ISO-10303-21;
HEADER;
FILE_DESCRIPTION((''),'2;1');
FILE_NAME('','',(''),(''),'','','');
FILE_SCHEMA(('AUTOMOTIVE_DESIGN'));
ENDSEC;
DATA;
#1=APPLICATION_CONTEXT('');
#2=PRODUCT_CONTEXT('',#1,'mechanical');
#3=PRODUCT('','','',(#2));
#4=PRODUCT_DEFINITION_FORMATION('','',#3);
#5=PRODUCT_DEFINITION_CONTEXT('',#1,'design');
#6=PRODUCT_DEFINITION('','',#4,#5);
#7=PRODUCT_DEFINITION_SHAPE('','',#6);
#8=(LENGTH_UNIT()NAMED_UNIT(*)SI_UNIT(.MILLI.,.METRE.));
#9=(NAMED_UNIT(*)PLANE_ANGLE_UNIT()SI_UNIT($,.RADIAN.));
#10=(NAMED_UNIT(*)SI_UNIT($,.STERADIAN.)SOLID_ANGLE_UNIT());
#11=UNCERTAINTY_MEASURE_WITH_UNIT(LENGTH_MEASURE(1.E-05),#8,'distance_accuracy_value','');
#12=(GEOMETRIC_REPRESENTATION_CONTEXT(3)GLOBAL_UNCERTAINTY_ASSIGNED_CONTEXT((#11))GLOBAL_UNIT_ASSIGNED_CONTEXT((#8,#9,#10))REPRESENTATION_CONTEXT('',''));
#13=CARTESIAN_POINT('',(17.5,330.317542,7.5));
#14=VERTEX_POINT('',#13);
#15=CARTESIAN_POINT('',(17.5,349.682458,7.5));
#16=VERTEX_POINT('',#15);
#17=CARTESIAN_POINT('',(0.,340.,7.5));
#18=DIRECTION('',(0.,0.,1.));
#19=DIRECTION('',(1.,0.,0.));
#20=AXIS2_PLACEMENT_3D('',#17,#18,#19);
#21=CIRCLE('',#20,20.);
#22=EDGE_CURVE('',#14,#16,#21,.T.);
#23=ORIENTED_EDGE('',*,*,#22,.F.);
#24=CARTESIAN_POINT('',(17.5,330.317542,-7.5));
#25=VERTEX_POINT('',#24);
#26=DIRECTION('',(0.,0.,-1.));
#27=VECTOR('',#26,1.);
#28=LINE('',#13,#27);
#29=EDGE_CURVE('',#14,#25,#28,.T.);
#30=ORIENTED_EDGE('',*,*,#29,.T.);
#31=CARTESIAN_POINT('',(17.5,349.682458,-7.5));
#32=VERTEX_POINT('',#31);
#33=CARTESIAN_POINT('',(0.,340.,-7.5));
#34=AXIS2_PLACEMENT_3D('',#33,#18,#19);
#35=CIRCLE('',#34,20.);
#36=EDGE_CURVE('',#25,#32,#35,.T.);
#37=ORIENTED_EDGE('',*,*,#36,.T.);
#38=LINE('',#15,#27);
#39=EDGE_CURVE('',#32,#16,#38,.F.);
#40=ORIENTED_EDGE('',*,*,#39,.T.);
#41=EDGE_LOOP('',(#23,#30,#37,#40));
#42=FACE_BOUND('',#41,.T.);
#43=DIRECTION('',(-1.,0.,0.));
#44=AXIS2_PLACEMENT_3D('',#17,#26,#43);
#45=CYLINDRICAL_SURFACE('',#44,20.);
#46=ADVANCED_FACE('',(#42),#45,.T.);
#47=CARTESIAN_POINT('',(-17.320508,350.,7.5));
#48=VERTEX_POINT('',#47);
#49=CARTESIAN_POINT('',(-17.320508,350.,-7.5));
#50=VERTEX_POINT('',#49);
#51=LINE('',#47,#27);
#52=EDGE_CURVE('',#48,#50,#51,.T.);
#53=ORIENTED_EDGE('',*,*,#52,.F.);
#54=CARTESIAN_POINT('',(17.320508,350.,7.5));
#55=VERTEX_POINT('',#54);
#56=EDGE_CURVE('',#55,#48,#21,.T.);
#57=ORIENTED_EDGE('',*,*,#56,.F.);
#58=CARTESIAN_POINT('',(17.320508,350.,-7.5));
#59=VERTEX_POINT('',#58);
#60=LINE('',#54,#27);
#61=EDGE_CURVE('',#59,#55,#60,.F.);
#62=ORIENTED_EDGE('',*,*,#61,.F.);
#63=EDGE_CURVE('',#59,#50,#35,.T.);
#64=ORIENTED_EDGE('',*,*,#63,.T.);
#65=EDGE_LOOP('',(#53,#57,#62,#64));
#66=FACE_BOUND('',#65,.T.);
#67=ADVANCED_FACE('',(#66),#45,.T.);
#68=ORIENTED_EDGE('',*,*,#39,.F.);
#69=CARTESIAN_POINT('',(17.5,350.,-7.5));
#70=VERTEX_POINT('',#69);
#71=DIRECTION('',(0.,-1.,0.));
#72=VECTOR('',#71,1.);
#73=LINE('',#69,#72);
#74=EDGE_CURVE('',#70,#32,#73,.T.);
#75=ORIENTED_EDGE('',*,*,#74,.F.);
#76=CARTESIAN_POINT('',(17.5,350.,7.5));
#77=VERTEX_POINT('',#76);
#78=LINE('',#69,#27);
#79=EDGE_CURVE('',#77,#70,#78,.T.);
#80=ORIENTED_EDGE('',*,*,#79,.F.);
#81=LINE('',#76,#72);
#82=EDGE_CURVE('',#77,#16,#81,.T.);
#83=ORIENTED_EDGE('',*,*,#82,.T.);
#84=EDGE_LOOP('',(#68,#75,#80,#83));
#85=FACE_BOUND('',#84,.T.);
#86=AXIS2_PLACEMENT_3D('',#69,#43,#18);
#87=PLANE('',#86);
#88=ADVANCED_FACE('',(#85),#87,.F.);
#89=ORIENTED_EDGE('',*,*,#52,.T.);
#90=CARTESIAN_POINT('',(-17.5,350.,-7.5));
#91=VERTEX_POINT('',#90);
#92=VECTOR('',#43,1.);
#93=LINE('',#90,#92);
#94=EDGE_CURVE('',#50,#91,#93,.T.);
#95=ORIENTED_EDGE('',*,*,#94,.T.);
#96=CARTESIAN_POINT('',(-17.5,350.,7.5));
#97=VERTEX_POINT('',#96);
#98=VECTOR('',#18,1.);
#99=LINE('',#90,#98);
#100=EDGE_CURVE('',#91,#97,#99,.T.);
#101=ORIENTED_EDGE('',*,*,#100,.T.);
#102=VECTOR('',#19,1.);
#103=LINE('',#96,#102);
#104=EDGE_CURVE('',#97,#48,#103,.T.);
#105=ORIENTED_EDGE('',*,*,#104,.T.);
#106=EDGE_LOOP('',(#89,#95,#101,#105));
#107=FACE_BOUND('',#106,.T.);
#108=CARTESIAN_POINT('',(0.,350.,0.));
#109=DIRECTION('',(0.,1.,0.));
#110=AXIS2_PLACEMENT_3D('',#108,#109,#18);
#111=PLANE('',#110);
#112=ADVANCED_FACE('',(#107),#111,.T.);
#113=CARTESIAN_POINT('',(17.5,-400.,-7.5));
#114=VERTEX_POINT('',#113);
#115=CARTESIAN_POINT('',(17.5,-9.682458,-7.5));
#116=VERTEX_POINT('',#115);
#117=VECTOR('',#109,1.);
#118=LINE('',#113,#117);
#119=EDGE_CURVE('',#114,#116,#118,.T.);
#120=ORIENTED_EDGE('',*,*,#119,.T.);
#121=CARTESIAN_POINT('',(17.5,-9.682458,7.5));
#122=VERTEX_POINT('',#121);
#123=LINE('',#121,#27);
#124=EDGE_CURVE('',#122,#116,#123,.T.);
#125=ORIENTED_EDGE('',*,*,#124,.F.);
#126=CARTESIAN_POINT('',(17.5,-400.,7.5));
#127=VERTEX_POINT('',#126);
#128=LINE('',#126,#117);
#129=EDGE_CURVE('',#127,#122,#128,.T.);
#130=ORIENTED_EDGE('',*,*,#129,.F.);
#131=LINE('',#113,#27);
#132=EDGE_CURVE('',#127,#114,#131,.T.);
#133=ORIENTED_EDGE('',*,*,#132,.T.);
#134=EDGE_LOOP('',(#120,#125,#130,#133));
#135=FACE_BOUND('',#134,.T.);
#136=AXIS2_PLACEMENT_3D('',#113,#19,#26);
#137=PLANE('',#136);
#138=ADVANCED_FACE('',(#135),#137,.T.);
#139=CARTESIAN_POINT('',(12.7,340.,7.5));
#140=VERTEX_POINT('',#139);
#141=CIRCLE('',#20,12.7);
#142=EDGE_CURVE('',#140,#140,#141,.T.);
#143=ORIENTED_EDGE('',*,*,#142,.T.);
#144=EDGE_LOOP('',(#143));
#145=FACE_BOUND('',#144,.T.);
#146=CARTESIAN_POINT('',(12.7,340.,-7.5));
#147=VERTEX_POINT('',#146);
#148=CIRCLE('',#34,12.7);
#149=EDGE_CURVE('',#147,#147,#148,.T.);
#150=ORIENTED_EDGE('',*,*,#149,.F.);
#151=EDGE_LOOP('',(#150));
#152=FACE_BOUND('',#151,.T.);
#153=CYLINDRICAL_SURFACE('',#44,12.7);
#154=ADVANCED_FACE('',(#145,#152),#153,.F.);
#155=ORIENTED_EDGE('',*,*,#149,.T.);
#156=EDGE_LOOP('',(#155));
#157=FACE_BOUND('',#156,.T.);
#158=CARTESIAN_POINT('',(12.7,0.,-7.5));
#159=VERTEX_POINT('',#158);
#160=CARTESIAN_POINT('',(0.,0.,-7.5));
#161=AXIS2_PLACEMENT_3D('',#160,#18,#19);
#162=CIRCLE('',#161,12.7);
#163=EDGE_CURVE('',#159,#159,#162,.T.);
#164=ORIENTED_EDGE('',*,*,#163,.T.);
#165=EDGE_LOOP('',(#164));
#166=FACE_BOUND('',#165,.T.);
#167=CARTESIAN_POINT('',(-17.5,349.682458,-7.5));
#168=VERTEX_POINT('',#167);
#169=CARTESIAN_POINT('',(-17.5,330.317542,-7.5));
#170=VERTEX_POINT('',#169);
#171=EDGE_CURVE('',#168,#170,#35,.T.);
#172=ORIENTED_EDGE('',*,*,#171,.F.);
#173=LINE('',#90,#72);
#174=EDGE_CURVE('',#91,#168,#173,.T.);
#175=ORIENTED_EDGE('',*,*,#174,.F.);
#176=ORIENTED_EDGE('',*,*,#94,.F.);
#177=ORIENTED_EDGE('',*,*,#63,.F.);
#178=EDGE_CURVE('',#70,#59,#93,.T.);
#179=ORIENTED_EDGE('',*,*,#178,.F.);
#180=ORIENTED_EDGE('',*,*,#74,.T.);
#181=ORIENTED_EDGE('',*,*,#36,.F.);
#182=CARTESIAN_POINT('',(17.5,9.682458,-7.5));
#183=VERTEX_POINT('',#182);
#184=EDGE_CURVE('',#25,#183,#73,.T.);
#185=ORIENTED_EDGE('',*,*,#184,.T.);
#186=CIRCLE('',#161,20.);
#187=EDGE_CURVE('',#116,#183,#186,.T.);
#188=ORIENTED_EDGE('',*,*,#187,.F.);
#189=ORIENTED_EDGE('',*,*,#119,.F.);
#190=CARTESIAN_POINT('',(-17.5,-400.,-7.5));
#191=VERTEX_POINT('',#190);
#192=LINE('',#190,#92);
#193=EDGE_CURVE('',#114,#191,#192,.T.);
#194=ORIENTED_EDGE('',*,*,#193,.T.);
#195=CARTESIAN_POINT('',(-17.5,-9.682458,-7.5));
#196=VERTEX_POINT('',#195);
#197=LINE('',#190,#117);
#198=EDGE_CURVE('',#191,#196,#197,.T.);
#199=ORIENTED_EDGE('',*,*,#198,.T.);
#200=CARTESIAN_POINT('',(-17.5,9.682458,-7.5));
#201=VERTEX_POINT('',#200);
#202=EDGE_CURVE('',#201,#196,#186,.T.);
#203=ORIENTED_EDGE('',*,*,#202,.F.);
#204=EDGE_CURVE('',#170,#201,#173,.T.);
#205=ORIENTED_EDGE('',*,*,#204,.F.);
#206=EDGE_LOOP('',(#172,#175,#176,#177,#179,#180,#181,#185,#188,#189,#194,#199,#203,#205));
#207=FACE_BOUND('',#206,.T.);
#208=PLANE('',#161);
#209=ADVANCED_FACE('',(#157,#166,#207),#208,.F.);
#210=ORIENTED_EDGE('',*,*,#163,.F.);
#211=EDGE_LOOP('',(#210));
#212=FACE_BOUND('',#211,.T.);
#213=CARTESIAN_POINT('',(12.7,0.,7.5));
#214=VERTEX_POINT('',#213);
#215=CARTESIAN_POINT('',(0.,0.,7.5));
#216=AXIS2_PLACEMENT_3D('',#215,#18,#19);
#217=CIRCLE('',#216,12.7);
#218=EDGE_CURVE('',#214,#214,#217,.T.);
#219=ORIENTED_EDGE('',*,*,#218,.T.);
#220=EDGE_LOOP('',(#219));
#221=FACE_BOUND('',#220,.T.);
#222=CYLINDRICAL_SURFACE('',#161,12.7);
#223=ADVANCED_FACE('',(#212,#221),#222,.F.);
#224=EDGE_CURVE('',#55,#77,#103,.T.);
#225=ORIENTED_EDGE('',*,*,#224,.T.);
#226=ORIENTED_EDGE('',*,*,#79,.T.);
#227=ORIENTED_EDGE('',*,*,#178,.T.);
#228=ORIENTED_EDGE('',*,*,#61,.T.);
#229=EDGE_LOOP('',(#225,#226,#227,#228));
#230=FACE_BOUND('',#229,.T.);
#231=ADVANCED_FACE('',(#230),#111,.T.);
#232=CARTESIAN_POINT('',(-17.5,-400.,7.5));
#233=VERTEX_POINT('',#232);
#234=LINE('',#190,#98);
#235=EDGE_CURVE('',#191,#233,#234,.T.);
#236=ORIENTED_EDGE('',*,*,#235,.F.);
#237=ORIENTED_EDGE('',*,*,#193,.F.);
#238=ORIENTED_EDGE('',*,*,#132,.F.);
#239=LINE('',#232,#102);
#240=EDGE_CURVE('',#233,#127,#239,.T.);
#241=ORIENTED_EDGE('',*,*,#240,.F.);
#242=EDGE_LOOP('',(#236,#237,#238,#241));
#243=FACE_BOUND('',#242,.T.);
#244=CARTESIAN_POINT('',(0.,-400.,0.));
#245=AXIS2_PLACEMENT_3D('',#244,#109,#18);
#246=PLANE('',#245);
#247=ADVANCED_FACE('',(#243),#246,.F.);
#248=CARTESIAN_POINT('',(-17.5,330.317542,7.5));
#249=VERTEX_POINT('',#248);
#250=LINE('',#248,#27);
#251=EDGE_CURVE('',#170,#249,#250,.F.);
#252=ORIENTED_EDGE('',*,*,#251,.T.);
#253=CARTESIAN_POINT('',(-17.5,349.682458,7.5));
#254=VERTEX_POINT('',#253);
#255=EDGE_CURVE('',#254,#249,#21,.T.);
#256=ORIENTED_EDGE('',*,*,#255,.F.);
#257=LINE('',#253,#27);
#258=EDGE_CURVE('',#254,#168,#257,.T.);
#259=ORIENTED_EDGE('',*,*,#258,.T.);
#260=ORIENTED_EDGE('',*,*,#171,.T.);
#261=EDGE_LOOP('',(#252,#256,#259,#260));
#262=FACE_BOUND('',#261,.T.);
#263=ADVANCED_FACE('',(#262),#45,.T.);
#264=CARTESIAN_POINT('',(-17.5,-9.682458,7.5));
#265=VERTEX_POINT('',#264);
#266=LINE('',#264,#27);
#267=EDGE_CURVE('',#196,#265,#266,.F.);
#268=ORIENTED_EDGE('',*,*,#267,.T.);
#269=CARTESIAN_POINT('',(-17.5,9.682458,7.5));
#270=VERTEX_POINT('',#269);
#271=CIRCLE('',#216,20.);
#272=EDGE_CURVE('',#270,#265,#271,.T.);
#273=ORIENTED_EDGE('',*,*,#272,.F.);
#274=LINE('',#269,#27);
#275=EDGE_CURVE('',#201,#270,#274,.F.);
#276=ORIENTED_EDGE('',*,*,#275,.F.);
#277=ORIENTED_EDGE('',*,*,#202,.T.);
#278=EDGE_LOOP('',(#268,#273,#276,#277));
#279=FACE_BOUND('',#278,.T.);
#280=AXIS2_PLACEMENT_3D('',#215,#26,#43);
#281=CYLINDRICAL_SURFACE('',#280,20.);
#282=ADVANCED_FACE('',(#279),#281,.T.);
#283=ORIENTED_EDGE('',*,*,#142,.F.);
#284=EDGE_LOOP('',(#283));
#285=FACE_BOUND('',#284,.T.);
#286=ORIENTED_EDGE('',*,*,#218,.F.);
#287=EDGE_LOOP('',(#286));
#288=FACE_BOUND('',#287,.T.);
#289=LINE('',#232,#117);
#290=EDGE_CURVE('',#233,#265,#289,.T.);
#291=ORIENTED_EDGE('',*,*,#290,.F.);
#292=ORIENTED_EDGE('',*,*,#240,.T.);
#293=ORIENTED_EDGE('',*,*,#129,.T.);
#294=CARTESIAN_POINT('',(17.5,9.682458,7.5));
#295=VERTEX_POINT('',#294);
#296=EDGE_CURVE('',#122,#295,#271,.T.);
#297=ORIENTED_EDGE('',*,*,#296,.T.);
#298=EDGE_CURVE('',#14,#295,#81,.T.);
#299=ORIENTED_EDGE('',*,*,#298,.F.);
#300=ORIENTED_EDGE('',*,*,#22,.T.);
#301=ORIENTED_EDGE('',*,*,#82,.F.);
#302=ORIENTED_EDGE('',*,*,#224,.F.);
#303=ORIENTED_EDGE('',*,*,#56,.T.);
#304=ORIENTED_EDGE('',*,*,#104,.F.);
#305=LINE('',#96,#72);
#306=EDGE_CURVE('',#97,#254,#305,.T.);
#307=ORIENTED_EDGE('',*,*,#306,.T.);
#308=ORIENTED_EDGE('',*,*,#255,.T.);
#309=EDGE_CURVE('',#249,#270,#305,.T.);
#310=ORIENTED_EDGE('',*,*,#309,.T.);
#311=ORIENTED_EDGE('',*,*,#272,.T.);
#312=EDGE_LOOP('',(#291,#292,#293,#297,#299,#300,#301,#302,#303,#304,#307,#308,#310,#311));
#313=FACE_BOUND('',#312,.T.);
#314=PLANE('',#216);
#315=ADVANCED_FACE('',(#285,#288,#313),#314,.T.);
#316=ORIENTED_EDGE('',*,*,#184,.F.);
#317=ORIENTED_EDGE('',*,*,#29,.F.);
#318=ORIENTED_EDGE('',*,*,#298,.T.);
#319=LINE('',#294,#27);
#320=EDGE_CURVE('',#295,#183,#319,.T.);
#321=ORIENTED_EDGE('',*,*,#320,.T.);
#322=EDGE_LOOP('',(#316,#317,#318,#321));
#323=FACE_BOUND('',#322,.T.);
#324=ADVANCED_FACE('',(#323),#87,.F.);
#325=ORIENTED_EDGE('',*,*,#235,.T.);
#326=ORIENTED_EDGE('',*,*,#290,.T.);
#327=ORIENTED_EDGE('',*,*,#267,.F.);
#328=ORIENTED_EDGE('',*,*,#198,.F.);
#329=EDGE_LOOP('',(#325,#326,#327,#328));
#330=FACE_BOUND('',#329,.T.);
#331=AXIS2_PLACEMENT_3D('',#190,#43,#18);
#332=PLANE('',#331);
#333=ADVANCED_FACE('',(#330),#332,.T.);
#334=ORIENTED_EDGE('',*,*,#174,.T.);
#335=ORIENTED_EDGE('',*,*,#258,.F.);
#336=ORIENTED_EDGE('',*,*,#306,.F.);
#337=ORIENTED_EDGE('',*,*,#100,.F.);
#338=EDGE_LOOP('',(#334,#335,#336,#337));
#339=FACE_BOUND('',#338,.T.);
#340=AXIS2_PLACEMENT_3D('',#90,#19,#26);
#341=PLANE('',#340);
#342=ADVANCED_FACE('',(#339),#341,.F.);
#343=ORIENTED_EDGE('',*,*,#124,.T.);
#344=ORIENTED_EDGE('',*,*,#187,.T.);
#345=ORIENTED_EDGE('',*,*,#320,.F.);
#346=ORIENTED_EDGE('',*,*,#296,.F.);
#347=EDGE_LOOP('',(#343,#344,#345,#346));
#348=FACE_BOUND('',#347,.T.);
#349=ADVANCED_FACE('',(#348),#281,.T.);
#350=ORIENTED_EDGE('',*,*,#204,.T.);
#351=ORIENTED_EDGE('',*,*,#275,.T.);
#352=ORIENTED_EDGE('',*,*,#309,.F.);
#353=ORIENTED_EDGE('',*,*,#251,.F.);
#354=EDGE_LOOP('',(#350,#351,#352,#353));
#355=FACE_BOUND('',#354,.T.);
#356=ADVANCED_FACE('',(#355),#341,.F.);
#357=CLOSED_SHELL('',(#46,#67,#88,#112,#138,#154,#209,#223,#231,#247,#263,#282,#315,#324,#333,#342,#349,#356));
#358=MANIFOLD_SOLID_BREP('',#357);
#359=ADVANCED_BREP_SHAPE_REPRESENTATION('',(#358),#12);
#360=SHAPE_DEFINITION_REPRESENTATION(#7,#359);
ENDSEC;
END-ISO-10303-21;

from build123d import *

# Parameters (mm, degrees)
SKETCH2_R           = 20
SKETCH2_R_2         = 12.7
BOSS_EXTRUDE1_DEPTH = 7.5
SKETCH4_W           = 35
SKETCH4_H           = 15
BOSS_EXTRUDE2_DEPTH = 400
SKETCH4_2_W         = 35
SKETCH4_2_H         = 15
BOSS_EXTRUDE3_DEPTH = 350
SKETCH5_R           = 12.7
CUT_EXTRUDE1_DEPTH  = 8.5
LPATTERN1_COUNT     = 2
LPATTERN1_PITCH     = 340


with BuildPart() as part:
    # Sketch2 → Boss-Extrude1 (new body, symmetric)
    with BuildSketch(Plane.XY):
        Circle(SKETCH2_R)
        Circle(SKETCH2_R_2, mode=Mode.SUBTRACT)
    boss_extrude1 = extrude(amount=BOSS_EXTRUDE1_DEPTH, both=True)

    # Sketch4 → Boss-Extrude2 (add)
    with BuildSketch(Plane(origin=(0, 0, 0), x_dir=(1, 0, 0), z_dir=(0, 1, 0))):
        Rectangle(SKETCH4_W, SKETCH4_H)
    extrude(amount=-BOSS_EXTRUDE2_DEPTH)

    # Sketch4<2> → Boss-Extrude3 (add)
    with BuildSketch(Plane(origin=(0, 0, 0), x_dir=(1, 0, 0), z_dir=(0, 1, 0))):
        Rectangle(SKETCH4_2_W, SKETCH4_2_H)
    extrude(amount=BOSS_EXTRUDE3_DEPTH)

    # Sketch5 → Cut-Extrude1 (cut, symmetric)
    with BuildSketch(Plane.XY):
        Circle(SKETCH5_R)
    cut_extrude1 = extrude(amount=CUT_EXTRUDE1_DEPTH, both=True, mode=Mode.SUBTRACT)

    # LPattern1: Boss-Extrude1, Cut-Extrude1 ×2
    with Locations(*[(0, i * LPATTERN1_PITCH, 0) for i in range(1, LPATTERN1_COUNT)]):
        add(boss_extrude1)
        add(cut_extrude1, mode=Mode.SUBTRACT)


solid = part.part
